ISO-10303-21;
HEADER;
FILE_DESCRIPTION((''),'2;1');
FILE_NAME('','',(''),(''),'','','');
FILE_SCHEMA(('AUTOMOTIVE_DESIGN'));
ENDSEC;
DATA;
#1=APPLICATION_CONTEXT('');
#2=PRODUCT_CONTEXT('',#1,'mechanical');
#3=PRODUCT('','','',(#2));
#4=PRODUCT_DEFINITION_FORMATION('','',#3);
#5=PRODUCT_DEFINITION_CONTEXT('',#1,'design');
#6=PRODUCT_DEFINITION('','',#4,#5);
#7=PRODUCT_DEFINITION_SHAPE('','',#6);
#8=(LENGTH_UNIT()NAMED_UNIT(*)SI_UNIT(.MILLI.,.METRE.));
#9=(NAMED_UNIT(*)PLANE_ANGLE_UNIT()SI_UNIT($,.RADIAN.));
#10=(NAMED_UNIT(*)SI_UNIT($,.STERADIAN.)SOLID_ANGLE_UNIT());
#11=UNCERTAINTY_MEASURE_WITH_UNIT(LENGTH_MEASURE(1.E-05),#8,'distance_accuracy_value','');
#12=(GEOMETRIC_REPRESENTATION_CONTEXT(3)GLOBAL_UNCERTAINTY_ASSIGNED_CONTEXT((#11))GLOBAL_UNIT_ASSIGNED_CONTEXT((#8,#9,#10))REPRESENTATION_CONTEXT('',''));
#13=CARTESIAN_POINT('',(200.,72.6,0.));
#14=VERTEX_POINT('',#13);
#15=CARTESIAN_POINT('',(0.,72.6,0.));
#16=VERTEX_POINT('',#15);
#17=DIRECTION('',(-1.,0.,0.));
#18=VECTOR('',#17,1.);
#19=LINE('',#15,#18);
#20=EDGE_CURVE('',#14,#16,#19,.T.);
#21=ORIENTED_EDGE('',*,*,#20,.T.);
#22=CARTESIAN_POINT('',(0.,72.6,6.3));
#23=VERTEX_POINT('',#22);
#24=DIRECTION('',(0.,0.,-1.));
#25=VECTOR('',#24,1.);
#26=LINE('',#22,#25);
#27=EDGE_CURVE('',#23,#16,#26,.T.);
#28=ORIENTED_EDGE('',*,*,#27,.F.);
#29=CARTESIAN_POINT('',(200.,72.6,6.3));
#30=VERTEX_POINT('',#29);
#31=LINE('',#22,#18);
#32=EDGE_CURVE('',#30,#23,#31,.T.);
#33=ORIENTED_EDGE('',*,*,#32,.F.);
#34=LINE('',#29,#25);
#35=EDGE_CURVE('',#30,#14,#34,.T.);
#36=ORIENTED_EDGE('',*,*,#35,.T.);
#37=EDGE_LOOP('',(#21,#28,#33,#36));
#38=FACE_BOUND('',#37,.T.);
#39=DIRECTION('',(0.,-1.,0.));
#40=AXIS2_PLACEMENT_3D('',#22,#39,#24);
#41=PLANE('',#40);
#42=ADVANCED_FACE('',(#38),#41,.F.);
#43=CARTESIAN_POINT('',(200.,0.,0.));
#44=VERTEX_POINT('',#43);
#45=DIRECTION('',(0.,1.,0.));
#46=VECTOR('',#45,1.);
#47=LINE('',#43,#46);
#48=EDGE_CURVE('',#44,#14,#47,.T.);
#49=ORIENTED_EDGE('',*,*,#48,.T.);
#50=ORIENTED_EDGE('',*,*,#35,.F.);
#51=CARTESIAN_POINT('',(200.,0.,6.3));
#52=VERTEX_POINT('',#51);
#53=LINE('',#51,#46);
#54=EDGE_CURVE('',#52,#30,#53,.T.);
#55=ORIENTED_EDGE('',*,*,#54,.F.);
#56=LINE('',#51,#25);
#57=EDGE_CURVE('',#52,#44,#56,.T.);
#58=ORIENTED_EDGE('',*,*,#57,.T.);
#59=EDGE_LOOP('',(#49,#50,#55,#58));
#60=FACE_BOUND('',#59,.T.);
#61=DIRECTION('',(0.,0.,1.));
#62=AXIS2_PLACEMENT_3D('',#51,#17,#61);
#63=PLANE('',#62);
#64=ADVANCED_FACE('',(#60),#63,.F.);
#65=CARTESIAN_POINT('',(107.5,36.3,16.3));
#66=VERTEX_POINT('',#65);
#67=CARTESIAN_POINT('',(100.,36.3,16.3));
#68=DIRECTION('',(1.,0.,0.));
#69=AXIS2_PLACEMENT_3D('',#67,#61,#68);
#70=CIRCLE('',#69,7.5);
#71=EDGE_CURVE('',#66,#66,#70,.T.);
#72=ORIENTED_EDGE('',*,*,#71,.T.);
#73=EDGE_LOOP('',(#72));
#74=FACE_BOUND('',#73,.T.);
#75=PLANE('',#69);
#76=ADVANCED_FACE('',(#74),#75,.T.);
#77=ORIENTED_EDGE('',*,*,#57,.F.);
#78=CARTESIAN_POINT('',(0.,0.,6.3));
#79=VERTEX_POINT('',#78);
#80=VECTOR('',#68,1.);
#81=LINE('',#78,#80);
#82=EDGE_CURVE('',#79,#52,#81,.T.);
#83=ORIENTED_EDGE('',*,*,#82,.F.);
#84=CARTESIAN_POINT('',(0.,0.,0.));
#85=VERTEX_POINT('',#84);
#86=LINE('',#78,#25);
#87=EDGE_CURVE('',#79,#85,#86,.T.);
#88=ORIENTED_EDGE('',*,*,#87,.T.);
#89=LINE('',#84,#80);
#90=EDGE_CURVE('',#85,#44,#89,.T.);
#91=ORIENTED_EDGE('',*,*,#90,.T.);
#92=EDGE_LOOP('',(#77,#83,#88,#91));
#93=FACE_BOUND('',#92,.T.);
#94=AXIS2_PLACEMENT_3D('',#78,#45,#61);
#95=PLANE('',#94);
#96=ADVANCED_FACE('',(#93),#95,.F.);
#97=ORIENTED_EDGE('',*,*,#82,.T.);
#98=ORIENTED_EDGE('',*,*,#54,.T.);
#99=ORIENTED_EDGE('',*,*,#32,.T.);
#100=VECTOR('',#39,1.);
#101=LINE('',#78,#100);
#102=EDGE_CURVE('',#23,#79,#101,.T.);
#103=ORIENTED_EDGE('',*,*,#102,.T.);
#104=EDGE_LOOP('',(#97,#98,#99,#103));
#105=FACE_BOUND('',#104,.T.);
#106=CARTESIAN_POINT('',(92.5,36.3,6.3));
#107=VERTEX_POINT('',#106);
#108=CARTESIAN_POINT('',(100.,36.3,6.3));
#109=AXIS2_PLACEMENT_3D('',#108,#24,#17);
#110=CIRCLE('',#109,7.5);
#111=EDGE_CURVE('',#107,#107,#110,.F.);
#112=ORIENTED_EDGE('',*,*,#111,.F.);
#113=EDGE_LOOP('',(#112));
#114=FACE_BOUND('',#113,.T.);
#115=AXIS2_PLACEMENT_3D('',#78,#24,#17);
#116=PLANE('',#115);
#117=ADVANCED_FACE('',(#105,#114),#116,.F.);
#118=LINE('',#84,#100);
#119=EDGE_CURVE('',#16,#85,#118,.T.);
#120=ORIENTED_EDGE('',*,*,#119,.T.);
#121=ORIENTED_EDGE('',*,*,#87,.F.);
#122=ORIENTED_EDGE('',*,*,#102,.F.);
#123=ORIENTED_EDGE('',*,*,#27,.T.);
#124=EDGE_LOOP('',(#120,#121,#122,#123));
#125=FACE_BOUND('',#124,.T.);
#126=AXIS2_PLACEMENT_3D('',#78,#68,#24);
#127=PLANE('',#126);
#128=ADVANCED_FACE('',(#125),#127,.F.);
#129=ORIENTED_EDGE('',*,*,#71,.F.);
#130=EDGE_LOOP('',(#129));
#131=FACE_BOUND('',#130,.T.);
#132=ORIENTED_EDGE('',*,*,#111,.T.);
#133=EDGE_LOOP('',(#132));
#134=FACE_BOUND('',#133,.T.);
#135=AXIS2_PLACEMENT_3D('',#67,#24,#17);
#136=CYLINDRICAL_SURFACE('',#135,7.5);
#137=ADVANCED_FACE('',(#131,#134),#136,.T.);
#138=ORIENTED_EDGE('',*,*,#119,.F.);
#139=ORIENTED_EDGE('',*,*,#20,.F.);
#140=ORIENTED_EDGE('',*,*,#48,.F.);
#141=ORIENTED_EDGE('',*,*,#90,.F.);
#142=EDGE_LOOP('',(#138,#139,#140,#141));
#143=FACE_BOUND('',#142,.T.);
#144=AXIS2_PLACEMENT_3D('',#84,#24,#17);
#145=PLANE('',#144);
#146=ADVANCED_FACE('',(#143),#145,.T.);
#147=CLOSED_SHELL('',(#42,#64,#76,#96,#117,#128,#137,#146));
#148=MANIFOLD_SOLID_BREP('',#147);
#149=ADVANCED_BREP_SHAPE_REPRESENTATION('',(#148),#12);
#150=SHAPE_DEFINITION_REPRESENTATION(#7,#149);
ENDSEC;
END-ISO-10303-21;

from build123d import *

# Parameters (mm, degrees)
SKETCH1_W           = 200
SKETCH1_H           = 72.6
BOSS_EXTRUDE1_DEPTH = 6.3
SKETCH2_R           = 7.5
BOSS_EXTRUDE2_DEPTH = 10


with BuildPart() as part:
    # Sketch1 → Boss-Extrude1 (new body)
    with BuildSketch(Plane.XY):
        with Locations((100, 36.3)):
            Rectangle(SKETCH1_W, SKETCH1_H)
    extrude(amount=BOSS_EXTRUDE1_DEPTH)

    # Sketch2 → Boss-Extrude2 (add)
    with BuildSketch(Plane.XY.offset(6.3)):
        with Locations((100, 36.3)):
            Circle(SKETCH2_R)
    extrude(amount=BOSS_EXTRUDE2_DEPTH)


solid = part.part
